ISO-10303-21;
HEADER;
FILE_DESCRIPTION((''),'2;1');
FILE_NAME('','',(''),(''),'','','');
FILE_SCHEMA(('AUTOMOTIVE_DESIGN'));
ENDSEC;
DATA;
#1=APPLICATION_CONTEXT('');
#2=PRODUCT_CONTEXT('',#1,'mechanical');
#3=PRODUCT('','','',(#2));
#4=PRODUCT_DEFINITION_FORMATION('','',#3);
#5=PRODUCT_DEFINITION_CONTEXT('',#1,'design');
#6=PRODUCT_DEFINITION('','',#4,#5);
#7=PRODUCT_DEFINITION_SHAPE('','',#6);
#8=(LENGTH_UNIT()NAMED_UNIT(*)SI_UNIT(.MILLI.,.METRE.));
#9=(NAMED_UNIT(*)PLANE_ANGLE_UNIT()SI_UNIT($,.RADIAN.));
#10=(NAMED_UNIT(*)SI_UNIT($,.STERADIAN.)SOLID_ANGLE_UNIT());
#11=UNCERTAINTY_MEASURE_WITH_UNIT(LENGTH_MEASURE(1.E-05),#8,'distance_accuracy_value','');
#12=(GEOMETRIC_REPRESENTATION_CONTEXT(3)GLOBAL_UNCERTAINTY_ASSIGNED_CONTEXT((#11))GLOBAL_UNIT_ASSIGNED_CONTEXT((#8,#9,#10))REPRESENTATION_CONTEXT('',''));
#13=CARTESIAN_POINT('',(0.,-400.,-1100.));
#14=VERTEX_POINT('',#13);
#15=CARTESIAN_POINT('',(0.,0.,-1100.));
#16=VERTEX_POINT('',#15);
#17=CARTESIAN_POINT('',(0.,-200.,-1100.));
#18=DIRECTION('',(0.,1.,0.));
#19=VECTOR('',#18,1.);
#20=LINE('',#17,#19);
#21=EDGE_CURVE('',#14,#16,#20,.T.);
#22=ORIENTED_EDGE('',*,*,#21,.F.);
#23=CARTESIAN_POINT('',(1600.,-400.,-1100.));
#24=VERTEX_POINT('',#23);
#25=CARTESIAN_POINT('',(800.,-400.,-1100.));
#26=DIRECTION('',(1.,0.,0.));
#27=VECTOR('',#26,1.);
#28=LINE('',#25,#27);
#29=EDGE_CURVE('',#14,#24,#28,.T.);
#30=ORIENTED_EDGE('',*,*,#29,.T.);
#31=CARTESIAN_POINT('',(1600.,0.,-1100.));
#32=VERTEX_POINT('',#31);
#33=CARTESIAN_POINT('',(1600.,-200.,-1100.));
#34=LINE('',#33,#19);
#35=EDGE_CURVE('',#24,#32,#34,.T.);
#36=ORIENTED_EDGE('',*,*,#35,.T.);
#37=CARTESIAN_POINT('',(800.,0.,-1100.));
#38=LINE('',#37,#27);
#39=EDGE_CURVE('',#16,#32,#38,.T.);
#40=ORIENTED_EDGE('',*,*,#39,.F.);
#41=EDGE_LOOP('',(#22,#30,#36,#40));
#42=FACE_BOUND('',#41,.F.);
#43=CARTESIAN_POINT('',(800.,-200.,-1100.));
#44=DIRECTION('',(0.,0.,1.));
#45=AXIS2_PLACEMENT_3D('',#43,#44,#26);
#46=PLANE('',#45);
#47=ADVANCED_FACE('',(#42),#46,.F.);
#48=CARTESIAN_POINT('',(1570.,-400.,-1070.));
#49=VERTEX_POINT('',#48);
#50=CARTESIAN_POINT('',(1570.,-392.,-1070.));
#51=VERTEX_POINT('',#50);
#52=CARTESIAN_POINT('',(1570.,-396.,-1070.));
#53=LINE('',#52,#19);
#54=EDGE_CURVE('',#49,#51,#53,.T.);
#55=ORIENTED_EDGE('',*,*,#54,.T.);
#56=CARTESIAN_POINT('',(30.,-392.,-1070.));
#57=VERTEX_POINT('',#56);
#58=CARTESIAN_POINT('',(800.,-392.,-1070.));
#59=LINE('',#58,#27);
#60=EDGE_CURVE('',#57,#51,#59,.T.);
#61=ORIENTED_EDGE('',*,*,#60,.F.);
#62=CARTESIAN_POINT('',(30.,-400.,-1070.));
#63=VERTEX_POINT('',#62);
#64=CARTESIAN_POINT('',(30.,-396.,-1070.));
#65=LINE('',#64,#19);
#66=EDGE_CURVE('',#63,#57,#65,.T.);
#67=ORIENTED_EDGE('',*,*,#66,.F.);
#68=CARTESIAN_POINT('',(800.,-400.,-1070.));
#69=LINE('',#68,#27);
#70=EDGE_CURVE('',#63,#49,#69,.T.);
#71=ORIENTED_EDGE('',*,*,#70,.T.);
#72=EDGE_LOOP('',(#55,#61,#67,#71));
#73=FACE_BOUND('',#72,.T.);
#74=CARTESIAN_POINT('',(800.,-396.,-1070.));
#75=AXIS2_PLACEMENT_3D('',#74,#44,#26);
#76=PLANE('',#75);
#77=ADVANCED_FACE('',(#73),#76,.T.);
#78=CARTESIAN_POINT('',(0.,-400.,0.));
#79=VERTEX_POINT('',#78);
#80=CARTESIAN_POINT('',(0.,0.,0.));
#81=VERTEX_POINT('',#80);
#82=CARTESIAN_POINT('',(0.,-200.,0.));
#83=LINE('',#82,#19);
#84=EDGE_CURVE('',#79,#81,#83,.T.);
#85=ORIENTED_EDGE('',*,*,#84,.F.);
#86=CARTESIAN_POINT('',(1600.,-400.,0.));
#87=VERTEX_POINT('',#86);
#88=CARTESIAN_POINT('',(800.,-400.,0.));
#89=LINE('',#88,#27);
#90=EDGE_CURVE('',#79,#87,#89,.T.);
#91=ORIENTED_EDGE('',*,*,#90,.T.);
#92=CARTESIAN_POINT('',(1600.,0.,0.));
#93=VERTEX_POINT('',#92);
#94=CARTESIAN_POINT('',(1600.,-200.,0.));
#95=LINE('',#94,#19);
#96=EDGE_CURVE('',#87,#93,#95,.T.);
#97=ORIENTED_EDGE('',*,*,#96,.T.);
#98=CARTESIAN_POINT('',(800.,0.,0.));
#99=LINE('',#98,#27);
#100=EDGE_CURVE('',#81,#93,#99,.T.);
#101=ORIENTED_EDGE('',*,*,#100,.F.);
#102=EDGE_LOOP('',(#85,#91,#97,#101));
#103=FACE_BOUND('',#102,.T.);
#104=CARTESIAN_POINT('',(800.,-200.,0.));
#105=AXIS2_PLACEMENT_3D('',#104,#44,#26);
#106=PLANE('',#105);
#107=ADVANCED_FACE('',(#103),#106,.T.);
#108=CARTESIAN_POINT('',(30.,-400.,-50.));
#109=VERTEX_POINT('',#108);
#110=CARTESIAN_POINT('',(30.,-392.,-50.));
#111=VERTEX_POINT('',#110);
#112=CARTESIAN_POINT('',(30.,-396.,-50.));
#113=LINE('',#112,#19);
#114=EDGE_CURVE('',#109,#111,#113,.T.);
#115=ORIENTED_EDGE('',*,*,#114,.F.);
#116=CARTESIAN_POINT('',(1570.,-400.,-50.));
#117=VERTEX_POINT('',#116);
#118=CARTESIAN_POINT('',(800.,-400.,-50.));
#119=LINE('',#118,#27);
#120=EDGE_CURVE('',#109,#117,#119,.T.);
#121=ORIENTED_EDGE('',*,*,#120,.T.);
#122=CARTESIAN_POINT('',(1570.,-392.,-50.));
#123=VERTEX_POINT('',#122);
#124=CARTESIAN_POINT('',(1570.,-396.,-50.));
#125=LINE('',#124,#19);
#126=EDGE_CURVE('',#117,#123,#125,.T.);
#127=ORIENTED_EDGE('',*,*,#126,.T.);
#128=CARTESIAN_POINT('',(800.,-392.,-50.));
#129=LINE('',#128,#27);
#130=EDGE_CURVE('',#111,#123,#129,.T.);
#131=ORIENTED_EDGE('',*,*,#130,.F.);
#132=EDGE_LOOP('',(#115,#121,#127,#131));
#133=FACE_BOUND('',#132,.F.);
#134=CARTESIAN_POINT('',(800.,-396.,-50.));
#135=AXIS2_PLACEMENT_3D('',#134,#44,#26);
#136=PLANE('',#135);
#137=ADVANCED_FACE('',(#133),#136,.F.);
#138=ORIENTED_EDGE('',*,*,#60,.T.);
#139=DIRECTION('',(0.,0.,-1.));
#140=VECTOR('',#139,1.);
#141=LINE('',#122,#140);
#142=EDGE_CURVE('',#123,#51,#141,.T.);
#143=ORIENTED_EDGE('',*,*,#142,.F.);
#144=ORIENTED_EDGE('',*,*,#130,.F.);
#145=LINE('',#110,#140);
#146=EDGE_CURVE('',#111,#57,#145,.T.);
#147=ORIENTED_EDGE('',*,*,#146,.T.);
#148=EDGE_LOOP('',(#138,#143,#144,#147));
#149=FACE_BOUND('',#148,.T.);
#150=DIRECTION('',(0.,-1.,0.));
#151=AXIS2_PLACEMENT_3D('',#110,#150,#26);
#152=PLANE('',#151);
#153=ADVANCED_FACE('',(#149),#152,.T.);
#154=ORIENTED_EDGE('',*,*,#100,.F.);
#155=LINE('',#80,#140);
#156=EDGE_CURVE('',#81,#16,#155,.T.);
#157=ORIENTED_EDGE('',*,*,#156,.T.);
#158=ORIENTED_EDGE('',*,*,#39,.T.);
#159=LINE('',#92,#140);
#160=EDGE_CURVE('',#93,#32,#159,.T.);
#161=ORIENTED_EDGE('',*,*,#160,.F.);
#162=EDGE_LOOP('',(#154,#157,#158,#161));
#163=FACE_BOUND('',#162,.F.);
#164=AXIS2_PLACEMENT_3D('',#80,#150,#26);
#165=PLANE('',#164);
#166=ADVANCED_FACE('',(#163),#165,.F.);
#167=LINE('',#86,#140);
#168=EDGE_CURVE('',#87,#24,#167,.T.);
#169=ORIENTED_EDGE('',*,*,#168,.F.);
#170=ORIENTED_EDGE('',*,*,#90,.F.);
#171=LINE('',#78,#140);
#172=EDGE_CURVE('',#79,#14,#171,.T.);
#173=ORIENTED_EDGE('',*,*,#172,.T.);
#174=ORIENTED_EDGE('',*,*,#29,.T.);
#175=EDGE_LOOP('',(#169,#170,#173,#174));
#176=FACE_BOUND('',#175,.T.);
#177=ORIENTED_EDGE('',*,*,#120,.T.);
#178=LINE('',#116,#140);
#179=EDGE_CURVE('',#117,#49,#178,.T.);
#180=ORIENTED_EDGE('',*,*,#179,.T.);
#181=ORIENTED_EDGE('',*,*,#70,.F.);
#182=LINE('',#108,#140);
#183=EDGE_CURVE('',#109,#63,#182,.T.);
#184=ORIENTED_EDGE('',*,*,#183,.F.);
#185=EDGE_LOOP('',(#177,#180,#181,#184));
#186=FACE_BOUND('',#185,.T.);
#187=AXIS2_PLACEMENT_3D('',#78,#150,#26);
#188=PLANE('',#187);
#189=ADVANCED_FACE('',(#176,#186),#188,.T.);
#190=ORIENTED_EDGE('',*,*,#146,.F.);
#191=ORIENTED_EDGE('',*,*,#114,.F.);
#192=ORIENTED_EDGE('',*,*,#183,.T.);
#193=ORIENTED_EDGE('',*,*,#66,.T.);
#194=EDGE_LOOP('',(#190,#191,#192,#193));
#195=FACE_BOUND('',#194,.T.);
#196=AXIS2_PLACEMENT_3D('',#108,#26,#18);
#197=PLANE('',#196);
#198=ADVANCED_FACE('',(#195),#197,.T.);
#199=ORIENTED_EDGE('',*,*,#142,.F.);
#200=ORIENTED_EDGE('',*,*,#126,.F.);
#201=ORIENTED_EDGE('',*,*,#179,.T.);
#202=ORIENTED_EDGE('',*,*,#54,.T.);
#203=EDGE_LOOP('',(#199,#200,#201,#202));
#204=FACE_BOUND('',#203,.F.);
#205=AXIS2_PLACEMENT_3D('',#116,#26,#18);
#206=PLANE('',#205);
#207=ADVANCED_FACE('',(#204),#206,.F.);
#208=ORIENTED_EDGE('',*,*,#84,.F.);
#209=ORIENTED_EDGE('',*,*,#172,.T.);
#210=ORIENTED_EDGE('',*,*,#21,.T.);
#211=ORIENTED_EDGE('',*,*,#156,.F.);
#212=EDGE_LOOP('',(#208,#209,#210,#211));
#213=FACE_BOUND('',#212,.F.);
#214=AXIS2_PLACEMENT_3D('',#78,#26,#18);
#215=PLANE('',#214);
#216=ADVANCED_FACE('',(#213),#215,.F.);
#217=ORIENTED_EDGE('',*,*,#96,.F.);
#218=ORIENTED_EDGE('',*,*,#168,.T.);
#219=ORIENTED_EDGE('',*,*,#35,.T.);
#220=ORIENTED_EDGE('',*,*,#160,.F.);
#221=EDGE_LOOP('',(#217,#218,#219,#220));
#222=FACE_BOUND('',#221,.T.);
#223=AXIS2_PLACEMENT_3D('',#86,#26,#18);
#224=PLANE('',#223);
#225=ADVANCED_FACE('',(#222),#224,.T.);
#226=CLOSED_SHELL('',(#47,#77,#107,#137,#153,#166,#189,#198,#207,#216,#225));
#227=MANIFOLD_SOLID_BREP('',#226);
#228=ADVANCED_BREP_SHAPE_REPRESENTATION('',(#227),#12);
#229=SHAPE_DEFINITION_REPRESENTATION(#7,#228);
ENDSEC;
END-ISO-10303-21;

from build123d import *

# Parameters (mm, degrees)
F0_W     = 1600
F0_H     = 400
F1_DEPTH = 1100
F3_START = -50
F2_W     = 1540
F2_H     = 8
F3_DEPTH = 1020


with BuildPart() as f1:
    # F0 (on Top) → F1 (new body)
    with BuildSketch(Plane.XY):
        with Locations((800, -200)):
            Rectangle(F0_W, F0_H)
    extrude(amount=-F1_DEPTH)

    # F2 (on face) → F3 (cut)
    with BuildSketch(Plane.XY.offset(F3_START)):
        with Locations((800, -396)):
            Rectangle(F2_W, F2_H)
    extrude(amount=-F3_DEPTH, mode=Mode.SUBTRACT)


solid = f1.part
